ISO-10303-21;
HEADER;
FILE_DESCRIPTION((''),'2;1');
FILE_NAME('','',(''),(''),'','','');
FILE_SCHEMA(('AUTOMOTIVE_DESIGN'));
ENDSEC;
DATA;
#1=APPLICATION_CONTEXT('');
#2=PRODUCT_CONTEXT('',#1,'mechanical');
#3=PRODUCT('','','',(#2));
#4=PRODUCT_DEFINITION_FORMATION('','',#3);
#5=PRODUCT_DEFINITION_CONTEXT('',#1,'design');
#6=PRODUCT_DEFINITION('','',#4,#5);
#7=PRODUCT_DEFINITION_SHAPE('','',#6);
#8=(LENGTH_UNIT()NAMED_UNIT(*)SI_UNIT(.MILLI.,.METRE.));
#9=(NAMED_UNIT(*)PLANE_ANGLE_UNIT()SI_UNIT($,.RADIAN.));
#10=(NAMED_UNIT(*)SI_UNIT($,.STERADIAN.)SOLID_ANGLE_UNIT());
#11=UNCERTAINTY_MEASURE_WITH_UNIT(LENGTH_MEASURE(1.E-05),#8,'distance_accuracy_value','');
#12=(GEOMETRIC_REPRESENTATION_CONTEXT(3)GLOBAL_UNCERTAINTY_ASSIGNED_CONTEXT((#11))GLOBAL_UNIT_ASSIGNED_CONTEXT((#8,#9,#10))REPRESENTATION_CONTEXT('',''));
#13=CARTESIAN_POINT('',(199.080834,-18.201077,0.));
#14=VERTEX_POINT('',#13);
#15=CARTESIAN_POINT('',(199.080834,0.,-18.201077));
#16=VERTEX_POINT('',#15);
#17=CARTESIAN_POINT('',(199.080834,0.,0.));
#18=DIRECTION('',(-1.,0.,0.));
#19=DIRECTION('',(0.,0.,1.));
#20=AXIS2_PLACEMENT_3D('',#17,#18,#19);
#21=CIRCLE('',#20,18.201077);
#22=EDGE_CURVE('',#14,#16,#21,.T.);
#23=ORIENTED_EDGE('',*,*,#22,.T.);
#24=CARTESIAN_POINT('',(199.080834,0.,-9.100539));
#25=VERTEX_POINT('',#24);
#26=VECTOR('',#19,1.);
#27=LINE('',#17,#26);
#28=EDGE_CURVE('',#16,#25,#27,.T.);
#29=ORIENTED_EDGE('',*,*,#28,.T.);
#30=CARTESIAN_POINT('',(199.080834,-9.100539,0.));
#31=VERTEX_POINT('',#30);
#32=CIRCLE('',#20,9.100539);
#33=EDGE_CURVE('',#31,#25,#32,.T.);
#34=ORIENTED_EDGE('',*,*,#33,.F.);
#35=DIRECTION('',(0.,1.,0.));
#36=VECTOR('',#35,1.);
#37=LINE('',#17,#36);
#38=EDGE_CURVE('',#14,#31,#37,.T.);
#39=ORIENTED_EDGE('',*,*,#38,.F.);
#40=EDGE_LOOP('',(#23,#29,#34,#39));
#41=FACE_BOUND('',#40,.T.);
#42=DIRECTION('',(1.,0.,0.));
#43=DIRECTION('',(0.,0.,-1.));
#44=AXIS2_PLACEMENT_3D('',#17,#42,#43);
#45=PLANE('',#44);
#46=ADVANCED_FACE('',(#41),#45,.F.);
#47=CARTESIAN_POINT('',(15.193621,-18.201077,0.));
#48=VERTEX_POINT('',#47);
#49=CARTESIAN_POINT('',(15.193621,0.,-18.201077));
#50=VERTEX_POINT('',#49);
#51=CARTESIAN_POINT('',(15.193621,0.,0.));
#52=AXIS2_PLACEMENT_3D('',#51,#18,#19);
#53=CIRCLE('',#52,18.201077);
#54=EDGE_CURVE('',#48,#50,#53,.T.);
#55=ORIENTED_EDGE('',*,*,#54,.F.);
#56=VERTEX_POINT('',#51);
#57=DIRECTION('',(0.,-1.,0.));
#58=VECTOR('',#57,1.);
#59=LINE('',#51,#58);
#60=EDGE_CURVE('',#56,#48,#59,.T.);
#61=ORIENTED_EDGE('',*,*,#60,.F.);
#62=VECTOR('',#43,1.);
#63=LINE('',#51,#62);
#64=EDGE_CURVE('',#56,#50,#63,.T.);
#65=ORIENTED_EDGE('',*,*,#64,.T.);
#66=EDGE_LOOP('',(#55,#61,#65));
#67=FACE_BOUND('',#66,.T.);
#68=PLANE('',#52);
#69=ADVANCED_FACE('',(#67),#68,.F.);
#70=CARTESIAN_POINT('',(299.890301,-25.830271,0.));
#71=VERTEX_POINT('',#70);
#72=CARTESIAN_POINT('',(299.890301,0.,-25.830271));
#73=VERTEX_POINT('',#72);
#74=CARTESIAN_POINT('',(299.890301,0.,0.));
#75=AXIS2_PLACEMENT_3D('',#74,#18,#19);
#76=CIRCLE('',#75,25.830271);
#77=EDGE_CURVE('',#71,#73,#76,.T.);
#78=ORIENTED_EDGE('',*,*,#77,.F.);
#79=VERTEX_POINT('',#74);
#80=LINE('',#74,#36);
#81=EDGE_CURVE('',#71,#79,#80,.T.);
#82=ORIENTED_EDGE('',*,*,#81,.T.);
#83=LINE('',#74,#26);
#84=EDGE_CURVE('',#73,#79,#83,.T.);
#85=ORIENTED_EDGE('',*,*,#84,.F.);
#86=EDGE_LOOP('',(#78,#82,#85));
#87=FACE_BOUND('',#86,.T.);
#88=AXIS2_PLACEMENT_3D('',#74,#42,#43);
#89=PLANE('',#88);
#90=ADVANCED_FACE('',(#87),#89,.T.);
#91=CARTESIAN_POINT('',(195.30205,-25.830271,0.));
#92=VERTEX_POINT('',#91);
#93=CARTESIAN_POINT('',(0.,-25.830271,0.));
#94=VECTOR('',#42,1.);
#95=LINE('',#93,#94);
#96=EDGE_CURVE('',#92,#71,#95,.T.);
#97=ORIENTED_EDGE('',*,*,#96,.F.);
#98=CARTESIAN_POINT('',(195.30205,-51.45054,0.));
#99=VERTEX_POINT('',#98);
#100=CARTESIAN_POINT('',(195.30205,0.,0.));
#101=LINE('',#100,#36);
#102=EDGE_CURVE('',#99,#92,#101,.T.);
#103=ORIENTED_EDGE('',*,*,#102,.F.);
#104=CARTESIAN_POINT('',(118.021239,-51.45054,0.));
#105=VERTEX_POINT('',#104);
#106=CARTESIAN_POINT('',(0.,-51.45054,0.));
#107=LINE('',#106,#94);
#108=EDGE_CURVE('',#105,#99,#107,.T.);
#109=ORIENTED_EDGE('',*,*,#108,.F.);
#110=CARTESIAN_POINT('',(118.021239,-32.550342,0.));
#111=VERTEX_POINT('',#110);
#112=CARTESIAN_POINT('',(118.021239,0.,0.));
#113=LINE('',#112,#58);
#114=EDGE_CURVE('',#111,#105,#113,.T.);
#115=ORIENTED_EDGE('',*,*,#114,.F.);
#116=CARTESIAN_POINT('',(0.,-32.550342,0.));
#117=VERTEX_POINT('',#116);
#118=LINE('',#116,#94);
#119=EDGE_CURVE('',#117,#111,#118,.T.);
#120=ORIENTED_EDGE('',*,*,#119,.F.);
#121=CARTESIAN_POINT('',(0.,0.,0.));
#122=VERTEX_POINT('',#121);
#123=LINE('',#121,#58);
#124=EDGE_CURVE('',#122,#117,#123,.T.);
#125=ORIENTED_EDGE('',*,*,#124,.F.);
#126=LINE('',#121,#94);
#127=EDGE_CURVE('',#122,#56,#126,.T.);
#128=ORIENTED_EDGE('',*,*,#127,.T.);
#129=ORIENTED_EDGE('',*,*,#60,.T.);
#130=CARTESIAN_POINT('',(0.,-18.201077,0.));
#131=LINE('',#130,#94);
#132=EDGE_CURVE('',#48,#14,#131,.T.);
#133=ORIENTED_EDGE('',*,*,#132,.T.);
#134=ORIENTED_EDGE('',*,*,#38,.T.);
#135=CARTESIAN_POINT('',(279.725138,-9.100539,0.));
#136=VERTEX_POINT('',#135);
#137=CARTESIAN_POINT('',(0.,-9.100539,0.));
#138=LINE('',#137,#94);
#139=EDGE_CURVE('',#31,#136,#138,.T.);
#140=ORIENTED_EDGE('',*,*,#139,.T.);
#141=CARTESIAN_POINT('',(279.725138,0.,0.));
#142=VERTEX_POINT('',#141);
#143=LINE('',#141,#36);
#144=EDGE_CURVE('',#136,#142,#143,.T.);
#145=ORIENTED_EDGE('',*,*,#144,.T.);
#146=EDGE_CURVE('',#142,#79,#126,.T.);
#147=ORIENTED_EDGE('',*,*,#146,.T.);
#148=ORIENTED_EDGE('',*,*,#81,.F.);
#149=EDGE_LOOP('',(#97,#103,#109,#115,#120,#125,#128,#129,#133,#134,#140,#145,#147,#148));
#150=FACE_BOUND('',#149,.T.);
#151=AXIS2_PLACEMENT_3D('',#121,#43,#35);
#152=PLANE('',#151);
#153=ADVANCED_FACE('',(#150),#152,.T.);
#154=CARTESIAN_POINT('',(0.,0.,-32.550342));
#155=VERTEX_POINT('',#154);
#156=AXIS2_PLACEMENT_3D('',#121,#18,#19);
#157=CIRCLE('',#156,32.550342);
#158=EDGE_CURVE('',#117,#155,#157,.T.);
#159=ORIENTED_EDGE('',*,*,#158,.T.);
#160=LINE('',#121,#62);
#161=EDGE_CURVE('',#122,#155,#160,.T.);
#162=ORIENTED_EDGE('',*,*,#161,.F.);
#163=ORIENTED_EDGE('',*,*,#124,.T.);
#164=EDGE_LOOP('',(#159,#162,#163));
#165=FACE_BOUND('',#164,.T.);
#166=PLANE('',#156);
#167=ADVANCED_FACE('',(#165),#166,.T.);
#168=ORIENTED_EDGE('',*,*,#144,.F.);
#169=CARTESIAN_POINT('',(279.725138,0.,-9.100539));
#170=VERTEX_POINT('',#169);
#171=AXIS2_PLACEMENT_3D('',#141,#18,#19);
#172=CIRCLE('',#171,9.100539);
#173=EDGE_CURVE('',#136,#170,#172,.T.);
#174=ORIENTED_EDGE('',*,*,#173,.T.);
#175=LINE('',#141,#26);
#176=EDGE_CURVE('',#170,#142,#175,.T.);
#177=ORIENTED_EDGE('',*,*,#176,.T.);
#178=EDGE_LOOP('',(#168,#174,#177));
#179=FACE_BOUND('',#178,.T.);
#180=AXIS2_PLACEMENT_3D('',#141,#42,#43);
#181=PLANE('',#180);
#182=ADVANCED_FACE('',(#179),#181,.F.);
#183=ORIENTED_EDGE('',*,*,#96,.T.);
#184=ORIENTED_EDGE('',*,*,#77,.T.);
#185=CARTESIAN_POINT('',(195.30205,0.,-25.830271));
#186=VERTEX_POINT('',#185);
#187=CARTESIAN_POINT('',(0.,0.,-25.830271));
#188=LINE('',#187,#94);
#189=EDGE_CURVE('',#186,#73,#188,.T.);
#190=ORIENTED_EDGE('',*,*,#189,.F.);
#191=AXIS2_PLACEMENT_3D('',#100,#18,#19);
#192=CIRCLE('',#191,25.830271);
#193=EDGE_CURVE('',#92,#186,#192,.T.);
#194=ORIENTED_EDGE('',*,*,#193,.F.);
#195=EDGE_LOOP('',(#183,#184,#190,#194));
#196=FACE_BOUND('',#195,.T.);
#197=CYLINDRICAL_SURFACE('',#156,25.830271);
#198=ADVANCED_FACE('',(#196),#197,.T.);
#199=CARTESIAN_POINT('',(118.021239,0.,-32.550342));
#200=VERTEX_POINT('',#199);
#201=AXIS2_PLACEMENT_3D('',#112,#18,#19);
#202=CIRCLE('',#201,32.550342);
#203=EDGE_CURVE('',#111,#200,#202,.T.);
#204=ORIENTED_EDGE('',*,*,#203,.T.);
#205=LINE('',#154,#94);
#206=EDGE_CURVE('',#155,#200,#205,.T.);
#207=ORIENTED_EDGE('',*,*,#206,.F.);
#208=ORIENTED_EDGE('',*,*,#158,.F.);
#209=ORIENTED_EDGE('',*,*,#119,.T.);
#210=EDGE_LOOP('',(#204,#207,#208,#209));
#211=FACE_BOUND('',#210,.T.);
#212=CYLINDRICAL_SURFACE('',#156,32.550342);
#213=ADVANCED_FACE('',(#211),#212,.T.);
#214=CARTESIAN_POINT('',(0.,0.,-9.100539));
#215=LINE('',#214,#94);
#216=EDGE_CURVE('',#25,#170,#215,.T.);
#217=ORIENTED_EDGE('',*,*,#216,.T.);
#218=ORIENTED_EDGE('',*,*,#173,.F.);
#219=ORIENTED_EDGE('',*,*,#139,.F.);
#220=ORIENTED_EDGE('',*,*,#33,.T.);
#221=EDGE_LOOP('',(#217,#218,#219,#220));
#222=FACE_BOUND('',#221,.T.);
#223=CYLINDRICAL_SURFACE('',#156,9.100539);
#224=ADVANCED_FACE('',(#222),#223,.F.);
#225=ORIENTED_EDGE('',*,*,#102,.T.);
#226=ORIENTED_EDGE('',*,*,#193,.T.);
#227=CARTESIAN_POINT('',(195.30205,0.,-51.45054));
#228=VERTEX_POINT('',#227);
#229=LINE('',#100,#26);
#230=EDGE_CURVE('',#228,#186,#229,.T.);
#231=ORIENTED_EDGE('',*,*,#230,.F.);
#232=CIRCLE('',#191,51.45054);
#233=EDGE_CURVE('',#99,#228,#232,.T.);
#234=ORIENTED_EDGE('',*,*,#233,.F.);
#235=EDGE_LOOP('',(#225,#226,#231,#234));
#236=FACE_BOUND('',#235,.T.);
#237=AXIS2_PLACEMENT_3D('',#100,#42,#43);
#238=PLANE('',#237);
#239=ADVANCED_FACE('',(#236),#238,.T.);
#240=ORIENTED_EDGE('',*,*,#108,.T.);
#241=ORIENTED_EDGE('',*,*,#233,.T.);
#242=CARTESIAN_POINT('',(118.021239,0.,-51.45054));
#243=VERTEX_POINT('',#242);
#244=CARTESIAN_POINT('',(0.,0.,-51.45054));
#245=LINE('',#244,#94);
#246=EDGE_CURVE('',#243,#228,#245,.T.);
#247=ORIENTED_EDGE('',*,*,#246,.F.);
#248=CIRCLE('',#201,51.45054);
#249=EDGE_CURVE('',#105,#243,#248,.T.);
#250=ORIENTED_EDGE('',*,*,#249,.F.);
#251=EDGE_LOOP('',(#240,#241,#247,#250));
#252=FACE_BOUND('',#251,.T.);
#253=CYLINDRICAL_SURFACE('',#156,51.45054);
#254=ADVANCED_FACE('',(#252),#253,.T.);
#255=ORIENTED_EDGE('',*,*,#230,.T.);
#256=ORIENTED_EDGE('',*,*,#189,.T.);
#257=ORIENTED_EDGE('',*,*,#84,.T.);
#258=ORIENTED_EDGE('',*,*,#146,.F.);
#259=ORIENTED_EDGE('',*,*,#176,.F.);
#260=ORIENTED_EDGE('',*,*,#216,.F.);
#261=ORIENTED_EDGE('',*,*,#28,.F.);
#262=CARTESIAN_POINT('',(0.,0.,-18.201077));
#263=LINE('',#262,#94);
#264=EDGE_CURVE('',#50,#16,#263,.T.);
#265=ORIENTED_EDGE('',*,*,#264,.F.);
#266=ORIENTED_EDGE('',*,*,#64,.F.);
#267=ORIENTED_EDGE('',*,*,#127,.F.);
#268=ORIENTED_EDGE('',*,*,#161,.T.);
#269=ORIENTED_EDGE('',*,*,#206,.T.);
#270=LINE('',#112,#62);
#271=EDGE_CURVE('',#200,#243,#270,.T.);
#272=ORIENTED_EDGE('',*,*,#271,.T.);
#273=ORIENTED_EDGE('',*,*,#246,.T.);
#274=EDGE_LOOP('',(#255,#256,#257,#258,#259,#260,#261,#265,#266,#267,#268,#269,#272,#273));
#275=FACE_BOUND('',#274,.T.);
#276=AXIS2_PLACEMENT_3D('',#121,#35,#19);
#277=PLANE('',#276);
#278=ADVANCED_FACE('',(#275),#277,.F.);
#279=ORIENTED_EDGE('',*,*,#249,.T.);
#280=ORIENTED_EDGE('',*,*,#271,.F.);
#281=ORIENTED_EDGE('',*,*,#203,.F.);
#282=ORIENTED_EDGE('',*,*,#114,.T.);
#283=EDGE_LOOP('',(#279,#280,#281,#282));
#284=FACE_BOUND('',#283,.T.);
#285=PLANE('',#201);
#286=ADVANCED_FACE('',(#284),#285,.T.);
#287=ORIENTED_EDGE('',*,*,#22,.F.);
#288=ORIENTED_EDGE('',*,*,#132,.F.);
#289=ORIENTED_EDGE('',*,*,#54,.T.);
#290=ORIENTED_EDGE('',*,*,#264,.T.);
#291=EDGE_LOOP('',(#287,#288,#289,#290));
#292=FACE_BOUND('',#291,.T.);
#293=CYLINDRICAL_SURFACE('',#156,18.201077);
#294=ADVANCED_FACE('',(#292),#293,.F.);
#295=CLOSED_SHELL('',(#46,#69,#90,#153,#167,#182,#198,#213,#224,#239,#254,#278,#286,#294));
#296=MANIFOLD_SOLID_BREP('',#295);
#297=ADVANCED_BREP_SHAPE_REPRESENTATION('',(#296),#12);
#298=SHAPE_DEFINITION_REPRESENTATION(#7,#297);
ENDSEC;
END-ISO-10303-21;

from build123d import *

# Parameters (mm, degrees)
REVOLVE4_ANGLE = 270


with BuildPart() as part:
    # Sketch1 → Revolve4 (revolve)
    with BuildSketch(Plane(origin=(0, 0, 0), x_dir=(1, 0, 0), z_dir=(0, 1, 0))):
        Polygon((0, 32.550341736), (0, 0), (15.19362108, 0), (15.19362108, 18.201077386), (199.080833898, 18.201077386), (199.080833898, 9.100538693), (279.725137873, 9.100538693), (279.725137873, 0), (299.890300867, 0), (299.890300867, 25.830271184), (195.302050415, 25.830271184), (195.302050415, 51.450540163), (118.021239068, 51.450540163), (118.021239068, 32.550341736), align=None)
    revolve(axis=Axis((0, 0, 0), (1, 0, 0)), revolution_arc=REVOLVE4_ANGLE)


solid = part.part
